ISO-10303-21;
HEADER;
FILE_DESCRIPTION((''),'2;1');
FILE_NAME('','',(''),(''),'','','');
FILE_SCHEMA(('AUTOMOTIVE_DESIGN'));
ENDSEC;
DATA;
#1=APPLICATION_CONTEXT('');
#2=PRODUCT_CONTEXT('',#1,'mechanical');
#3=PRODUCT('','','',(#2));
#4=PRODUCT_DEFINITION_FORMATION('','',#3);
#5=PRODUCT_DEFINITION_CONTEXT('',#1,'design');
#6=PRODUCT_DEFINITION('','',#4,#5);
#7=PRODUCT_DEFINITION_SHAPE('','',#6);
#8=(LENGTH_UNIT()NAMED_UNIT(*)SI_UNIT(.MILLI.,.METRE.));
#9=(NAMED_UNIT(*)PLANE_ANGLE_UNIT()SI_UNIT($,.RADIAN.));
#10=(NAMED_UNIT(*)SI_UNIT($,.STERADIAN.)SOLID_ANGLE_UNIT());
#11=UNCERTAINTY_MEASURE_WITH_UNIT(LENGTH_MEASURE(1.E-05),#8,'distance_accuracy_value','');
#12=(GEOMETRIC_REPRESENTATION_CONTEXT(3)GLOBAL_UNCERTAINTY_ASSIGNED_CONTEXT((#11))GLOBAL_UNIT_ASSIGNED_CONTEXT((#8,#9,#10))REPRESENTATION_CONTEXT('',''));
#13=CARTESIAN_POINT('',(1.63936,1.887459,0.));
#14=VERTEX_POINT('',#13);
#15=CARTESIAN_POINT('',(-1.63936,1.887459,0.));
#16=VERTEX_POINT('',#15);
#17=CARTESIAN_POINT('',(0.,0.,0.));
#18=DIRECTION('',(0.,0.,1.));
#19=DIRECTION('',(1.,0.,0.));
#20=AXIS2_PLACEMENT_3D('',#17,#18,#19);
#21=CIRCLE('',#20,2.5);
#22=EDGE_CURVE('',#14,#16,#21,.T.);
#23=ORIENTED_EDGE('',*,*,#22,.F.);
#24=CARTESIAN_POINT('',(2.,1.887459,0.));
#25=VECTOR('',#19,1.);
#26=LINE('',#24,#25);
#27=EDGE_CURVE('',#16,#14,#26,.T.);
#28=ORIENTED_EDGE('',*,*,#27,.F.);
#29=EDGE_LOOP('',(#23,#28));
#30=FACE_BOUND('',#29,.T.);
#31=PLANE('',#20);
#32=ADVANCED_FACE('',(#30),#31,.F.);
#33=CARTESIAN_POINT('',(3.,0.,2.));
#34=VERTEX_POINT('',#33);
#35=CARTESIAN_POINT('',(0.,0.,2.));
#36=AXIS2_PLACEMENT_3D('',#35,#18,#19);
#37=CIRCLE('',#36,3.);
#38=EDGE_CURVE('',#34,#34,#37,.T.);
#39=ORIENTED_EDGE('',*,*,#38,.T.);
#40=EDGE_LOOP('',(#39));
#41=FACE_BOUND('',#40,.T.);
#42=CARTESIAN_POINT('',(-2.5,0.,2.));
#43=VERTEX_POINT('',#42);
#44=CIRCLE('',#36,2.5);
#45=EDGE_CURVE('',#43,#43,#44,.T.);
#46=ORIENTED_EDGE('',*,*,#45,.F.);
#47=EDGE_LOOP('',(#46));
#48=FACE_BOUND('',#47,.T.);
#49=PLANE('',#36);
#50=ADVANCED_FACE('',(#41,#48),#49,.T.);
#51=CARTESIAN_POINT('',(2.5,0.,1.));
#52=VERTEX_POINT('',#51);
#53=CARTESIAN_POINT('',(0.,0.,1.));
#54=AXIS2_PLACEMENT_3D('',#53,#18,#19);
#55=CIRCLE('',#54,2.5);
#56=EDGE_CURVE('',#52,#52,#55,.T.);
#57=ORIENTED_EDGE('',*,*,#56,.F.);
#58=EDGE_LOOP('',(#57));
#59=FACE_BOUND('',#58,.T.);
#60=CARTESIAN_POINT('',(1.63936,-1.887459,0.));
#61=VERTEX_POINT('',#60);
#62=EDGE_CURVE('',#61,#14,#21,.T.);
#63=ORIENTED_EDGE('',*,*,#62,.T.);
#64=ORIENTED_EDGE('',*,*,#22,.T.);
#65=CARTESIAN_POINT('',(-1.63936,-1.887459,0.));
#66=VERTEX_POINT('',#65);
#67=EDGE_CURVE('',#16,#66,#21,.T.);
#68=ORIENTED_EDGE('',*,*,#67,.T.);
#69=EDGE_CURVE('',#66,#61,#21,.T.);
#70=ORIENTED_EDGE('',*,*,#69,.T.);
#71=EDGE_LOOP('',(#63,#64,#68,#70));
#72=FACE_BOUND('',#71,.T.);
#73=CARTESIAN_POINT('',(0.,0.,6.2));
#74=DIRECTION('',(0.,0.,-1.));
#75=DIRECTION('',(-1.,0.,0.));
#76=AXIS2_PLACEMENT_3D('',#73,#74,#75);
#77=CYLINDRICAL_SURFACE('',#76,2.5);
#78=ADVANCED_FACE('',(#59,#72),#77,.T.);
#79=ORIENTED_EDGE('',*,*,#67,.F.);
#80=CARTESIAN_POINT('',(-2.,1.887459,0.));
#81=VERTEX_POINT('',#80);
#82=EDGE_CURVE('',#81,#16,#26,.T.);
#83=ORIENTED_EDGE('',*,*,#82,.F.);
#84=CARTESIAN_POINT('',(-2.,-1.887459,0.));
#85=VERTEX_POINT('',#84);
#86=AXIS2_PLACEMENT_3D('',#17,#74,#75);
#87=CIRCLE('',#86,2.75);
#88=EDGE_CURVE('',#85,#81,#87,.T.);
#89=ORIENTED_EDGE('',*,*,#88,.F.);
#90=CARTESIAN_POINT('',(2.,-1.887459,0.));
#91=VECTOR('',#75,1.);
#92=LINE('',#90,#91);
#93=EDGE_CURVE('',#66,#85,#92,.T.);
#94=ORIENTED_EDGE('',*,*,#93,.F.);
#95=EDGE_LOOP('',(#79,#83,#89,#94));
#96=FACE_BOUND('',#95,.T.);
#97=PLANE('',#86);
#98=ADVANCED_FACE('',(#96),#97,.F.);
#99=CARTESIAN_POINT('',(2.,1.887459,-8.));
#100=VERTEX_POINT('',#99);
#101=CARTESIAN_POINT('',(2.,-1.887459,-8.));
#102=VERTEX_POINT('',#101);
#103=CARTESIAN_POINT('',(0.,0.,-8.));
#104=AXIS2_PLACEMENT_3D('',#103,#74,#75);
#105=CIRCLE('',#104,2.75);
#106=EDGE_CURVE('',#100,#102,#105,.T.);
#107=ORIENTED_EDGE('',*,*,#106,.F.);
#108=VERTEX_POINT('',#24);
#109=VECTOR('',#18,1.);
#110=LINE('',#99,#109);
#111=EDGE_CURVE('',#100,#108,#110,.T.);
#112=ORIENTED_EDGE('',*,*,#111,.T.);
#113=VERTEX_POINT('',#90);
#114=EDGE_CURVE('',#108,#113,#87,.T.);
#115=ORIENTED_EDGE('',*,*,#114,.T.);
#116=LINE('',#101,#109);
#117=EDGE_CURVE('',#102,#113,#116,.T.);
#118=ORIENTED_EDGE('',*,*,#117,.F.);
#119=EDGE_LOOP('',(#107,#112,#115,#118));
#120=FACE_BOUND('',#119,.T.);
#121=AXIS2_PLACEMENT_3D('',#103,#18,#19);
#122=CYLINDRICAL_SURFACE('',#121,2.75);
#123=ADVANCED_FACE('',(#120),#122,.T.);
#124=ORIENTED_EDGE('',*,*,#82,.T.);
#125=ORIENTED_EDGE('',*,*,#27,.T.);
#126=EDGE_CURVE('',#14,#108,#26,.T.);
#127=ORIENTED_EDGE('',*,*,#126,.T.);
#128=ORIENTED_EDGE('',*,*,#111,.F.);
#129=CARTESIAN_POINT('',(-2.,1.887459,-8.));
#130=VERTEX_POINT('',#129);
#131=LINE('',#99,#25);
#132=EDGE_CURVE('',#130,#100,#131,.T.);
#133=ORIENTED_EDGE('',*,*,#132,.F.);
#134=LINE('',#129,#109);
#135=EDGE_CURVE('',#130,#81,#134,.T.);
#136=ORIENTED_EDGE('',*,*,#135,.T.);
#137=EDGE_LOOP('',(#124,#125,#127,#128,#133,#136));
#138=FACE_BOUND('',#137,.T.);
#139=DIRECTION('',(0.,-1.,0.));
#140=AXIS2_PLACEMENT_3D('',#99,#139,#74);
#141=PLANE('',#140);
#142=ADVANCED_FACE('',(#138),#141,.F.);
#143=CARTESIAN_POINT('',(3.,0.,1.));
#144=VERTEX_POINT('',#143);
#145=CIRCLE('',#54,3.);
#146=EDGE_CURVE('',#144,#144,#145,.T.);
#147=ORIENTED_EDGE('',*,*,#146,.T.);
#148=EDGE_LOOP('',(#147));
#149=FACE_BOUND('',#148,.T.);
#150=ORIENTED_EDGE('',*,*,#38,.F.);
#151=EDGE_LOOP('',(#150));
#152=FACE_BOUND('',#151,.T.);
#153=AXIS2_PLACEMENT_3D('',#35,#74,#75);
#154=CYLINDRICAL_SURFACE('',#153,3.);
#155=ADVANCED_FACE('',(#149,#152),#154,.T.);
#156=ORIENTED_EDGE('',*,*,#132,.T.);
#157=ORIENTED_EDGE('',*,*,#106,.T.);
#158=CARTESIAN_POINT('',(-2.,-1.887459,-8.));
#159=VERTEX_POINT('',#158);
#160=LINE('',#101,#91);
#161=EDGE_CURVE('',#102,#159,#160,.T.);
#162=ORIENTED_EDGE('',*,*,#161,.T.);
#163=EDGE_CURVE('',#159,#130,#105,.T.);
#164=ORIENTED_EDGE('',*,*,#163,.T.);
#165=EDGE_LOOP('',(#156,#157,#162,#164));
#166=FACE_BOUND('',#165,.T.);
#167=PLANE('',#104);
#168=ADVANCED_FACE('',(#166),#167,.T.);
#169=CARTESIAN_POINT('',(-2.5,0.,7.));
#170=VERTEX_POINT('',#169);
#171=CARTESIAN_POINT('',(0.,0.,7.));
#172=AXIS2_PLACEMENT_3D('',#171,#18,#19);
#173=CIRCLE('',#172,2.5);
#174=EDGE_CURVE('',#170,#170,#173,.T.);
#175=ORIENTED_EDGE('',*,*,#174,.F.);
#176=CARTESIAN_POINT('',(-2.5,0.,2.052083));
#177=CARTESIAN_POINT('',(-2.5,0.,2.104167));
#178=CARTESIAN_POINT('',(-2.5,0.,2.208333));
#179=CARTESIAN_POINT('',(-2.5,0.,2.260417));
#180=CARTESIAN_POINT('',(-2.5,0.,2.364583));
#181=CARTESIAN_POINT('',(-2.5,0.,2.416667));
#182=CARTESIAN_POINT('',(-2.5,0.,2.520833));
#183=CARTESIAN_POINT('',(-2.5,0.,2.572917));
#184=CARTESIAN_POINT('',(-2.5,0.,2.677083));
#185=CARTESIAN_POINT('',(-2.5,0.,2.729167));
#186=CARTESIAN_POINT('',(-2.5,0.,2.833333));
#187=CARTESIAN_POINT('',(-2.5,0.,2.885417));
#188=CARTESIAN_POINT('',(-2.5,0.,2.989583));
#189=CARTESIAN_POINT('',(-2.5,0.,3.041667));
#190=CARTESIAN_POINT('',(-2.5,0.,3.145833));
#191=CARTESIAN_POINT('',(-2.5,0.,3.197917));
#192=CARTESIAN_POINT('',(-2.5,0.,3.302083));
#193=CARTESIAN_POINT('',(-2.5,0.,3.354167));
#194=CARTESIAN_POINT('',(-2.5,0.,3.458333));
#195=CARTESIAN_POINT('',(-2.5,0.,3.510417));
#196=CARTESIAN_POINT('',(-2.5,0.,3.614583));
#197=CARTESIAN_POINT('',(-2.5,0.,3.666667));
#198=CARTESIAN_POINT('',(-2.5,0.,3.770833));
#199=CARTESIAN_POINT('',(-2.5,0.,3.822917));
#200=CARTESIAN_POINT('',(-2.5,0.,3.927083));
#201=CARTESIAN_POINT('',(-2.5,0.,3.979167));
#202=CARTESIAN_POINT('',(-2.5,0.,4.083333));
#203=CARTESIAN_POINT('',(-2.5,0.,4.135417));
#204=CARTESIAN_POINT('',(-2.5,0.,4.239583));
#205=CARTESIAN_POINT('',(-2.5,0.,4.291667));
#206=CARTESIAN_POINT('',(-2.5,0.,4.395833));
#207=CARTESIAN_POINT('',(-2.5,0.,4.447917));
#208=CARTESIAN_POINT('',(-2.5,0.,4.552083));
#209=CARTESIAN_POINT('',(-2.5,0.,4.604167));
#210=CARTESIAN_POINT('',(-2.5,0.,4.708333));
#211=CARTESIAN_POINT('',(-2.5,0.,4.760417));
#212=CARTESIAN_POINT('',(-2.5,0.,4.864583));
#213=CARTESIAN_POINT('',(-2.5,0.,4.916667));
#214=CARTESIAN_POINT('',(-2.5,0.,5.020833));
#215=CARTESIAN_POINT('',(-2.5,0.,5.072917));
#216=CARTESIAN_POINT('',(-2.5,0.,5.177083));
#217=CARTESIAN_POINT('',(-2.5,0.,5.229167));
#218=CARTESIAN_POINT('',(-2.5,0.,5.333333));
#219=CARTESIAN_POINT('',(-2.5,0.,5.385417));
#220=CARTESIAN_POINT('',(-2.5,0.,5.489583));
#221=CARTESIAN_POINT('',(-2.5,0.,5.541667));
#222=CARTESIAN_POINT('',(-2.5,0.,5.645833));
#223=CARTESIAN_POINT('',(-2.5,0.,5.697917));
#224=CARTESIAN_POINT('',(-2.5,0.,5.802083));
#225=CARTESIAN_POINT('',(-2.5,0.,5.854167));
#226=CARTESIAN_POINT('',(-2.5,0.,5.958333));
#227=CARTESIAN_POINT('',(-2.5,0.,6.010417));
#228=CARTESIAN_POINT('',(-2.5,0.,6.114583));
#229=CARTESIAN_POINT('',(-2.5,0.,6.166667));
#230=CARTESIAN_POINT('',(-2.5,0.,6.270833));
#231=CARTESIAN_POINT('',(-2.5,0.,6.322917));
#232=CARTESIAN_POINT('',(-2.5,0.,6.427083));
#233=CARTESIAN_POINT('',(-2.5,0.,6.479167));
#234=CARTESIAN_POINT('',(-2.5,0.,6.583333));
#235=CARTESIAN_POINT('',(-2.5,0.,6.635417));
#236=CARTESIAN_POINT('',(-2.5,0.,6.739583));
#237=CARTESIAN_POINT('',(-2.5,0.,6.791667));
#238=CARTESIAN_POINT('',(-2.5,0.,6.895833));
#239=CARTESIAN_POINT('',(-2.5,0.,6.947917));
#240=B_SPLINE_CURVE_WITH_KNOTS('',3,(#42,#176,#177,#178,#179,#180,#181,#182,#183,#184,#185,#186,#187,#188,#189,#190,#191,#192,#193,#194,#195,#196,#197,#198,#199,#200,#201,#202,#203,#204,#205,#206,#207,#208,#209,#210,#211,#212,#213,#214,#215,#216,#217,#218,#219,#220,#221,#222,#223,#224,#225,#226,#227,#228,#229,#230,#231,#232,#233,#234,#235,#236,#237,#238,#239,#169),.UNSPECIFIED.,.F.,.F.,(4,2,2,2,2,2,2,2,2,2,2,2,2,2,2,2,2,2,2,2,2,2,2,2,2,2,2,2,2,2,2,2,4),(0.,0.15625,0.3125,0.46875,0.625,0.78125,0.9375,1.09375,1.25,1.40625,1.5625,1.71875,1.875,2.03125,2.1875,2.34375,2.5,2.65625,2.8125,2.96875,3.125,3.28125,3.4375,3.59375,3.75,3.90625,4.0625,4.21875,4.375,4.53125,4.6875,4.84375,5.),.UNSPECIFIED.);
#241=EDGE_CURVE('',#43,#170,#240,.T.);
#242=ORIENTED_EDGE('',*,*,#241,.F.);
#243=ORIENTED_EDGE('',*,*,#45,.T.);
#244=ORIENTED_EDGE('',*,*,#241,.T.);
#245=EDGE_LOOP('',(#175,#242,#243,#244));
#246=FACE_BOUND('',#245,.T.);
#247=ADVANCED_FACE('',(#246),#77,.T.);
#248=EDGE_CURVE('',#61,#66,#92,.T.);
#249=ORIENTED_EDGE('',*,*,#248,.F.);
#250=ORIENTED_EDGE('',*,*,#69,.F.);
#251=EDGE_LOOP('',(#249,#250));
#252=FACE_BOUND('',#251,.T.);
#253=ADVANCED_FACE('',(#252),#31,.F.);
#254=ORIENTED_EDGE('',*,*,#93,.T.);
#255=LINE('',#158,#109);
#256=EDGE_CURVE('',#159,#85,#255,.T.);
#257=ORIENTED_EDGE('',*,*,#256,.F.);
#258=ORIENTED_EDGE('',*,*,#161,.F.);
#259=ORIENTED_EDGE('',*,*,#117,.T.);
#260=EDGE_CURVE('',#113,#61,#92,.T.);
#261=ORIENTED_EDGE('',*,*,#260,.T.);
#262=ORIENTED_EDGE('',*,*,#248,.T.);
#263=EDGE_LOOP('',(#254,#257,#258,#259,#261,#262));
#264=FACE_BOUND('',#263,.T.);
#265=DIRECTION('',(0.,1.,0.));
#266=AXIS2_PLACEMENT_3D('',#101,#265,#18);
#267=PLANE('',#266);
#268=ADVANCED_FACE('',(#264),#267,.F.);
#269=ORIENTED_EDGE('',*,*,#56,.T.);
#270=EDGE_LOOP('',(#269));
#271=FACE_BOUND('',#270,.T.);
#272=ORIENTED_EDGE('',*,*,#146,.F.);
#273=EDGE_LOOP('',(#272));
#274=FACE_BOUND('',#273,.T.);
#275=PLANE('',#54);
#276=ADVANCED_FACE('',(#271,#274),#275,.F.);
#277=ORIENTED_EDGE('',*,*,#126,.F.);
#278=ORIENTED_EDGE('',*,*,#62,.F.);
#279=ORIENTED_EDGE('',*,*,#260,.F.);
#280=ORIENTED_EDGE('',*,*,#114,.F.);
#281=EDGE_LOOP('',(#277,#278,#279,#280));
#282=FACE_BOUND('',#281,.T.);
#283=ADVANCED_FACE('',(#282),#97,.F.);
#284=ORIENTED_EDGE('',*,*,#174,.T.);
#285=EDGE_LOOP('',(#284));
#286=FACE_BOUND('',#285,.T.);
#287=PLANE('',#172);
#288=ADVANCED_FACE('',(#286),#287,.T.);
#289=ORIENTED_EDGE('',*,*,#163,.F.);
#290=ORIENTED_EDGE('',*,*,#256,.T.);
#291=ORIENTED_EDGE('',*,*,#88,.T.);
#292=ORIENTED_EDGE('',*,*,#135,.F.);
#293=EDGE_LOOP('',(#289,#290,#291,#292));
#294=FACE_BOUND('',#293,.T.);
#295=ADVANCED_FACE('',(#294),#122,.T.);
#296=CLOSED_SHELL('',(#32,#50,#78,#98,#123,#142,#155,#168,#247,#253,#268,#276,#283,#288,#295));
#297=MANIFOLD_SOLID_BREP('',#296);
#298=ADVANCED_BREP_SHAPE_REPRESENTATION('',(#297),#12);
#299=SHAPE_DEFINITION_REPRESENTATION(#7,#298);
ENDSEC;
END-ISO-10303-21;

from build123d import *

# Parameters (mm, degrees)
SKETCH_1_R      = 2.5
EXTRUDE_1_DEPTH = 6.2
EXTRUDE_2_DEPTH = 8
SKETCH_3_R      = 2.5
EXTRUDE_3_DEPTH = 0.8
EXTRUDE_START   = 1
SKETCH_4_R      = 3
EXTRUDE_4_DEPTH = 1


with BuildPart() as part:
    # 草图1 → 凸台-拉伸1 (new body)
    with BuildSketch(Plane.XY):
        with Locations(Location((0, 0, 0), (0, 0, 180))):
            Circle(SKETCH_1_R)
    extrude(amount=EXTRUDE_1_DEPTH)

    # 草图2 → 凸台-拉伸2 (add)
    with BuildSketch(Plane(origin=(0, 0, 0), x_dir=(-1, 0, 0), z_dir=(0, 0, -1))):
        with BuildLine():
            Line((-2, 1.887458609), (2, 1.887458609))
            ThreePointArc((2, 1.887458609), (2.75, 0), (2, -1.887458609))
            Line((2, -1.887458609), (-2, -1.887458609))
            ThreePointArc((-2, -1.887458609), (-2.75, 0), (-2, 1.887458609))
        make_face()
    extrude(amount=EXTRUDE_2_DEPTH)

    # 草图3 → 凸台-拉伸3 (add)
    with BuildSketch(Plane.XY.offset(6.2)):
        with Locations(Location((0, 0, 0), (0, 0, 130.976076876))):
            Circle(SKETCH_3_R)
    extrude(amount=EXTRUDE_3_DEPTH)

    # 草图4 → 凸台-拉伸4 (add)
    with BuildSketch(Plane.XY.offset(EXTRUDE_START)):
        Circle(SKETCH_4_R)
    extrude(amount=EXTRUDE_4_DEPTH)


solid = part.part
